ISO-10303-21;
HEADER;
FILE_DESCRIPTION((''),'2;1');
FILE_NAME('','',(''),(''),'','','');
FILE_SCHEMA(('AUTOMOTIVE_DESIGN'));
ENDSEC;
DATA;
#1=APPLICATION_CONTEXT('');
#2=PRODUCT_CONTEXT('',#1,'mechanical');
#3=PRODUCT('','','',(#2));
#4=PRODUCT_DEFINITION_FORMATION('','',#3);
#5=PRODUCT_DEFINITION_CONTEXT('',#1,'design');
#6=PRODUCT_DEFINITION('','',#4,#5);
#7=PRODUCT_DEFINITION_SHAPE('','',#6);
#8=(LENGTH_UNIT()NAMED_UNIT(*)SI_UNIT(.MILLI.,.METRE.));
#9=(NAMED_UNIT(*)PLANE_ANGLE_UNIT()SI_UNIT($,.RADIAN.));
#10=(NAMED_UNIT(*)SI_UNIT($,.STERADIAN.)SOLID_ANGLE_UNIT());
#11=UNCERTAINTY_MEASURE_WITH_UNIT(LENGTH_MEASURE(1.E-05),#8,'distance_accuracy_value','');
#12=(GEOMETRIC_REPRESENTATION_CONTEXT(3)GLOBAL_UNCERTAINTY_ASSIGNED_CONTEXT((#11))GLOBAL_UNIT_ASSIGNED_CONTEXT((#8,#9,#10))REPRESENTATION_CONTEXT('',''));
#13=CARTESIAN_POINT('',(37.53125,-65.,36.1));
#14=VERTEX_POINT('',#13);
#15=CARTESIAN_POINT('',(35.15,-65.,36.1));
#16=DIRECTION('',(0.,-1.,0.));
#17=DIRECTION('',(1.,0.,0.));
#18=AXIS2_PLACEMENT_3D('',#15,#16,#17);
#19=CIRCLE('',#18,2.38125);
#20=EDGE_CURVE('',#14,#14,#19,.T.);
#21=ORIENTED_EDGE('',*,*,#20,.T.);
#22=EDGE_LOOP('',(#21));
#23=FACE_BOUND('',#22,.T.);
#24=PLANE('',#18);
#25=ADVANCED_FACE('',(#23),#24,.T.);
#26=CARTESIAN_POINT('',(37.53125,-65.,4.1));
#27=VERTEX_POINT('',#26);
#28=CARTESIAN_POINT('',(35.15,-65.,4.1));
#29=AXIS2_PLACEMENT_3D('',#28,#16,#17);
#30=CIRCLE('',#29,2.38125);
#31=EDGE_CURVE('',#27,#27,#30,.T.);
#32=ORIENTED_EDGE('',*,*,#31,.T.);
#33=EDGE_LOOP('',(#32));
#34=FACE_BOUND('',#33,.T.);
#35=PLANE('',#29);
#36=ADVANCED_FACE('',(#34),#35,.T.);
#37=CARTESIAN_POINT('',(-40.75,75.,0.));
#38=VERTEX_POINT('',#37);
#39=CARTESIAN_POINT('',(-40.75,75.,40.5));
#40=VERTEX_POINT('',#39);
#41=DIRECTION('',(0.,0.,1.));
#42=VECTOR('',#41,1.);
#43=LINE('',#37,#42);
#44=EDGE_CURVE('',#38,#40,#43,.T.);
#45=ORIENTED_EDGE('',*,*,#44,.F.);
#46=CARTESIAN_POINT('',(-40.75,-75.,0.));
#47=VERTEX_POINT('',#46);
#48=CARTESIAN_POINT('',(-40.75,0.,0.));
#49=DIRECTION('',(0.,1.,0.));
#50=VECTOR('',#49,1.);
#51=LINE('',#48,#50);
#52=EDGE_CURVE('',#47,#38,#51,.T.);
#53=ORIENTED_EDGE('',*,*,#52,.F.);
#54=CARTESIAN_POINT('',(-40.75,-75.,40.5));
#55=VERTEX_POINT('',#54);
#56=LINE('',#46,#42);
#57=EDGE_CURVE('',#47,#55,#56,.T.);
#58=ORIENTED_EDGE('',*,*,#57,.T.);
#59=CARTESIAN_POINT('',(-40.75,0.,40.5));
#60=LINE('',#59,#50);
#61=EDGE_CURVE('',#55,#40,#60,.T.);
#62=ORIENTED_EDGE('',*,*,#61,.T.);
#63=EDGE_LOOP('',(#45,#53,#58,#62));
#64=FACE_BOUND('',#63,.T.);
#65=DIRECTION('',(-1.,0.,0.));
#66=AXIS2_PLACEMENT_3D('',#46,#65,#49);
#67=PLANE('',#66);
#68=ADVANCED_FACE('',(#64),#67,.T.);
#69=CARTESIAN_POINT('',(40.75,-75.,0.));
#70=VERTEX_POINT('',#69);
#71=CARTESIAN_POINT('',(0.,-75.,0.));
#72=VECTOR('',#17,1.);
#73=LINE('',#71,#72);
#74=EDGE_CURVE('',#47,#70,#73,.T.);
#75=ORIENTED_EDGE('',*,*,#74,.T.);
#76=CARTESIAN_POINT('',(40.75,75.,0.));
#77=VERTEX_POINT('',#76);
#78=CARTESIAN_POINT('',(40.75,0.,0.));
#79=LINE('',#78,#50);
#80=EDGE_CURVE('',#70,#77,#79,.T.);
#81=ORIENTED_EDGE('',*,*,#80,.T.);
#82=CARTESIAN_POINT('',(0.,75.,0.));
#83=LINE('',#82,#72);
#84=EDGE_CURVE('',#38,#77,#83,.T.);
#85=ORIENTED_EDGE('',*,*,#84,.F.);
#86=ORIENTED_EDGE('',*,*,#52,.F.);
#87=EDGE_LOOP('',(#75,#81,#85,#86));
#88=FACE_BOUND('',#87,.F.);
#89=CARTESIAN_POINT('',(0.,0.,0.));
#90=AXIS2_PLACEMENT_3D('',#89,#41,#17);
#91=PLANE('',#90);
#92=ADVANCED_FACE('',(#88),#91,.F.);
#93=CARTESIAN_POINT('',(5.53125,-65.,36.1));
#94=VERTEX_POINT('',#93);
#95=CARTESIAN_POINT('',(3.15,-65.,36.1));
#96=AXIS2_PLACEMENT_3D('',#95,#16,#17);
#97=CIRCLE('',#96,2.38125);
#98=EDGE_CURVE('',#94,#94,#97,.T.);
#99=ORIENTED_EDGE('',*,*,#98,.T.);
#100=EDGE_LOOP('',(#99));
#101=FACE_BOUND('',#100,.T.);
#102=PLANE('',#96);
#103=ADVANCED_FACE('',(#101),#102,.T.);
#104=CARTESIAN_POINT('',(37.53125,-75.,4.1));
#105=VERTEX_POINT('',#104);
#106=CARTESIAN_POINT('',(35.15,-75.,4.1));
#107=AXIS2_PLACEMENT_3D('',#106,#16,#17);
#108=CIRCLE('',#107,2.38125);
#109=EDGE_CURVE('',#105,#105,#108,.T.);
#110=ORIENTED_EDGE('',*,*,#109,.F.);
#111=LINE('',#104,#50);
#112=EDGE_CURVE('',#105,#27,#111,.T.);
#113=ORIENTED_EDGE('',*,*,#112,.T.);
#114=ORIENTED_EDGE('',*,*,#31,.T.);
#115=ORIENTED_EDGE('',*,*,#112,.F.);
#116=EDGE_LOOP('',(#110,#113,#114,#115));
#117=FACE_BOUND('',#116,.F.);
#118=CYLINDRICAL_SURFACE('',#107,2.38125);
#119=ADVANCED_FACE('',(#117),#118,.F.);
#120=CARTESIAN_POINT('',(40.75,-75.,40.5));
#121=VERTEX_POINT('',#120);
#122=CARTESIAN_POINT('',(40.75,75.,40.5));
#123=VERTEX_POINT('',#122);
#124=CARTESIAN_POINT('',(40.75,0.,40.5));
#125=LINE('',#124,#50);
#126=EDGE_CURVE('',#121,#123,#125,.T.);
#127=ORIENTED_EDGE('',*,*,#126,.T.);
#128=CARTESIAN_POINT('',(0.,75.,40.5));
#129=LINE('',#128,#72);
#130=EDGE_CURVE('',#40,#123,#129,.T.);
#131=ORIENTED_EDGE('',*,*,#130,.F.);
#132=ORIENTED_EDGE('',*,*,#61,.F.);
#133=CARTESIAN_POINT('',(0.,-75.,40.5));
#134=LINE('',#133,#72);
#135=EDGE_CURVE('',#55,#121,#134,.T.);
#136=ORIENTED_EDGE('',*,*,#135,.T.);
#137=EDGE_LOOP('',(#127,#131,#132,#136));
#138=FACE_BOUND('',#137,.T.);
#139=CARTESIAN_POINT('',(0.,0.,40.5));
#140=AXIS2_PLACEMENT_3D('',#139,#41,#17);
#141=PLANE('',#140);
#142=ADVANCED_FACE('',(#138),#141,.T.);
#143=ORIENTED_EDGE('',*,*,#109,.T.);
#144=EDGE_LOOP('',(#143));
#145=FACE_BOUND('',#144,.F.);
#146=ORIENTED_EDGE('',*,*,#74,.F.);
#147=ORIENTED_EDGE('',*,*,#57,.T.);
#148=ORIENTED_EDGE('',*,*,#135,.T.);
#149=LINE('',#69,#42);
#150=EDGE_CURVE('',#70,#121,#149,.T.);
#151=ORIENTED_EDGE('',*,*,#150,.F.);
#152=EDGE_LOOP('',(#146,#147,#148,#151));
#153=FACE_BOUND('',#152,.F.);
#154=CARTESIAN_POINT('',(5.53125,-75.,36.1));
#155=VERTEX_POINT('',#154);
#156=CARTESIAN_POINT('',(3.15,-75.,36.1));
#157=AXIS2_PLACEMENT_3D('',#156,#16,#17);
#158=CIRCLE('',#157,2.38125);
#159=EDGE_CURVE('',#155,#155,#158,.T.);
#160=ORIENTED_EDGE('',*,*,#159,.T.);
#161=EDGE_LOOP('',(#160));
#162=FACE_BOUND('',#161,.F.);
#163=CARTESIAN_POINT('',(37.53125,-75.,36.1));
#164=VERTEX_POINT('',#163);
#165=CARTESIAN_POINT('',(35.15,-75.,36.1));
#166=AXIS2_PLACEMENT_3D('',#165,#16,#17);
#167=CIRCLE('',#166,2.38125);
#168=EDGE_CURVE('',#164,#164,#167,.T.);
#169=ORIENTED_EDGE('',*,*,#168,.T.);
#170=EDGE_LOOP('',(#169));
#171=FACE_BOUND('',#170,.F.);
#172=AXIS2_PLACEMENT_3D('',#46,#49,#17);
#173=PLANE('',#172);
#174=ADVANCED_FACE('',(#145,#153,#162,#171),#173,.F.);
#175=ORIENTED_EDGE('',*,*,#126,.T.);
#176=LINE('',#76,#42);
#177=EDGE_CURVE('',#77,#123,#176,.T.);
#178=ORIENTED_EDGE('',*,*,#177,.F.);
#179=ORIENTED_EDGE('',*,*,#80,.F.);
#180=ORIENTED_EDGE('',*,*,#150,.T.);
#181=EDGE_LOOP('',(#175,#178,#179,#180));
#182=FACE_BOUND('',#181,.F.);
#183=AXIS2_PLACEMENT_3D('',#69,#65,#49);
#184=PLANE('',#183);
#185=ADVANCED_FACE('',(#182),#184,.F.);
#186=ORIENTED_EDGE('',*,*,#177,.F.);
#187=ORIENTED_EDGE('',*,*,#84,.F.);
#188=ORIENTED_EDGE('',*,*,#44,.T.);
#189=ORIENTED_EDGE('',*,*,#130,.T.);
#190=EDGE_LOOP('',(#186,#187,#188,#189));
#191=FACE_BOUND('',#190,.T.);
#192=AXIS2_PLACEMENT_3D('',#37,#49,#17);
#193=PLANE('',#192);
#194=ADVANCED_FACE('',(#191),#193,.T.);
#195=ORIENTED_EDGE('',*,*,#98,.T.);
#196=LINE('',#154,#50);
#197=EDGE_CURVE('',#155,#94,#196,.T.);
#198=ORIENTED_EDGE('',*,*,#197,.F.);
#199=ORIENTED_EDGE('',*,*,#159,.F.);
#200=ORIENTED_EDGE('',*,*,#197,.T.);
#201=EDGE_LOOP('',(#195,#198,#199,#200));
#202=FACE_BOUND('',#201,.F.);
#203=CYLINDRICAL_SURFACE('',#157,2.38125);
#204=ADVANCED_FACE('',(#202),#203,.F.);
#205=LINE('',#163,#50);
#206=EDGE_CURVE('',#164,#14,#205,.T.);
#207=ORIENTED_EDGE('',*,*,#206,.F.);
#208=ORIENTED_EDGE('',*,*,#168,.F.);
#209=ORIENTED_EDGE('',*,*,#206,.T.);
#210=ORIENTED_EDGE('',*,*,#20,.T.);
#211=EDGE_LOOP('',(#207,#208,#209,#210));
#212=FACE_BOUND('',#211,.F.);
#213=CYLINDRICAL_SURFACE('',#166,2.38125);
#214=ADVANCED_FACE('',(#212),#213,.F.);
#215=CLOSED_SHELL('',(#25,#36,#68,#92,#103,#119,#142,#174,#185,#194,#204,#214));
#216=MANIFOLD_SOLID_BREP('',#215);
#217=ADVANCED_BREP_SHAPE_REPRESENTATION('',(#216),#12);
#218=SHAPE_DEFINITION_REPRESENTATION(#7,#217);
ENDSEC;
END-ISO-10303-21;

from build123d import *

# Parameters (mm, degrees)
F0_W     = 81.5
F0_H     = 150
F1_DEPTH = 40.5
F2_R     = 2.38125
F3_DEPTH = 10


with BuildPart() as f1:
    # F0 (on Top) → F1 (new body)
    with BuildSketch(Plane.XY):
        Rectangle(F0_W, F0_H)
    extrude(amount=F1_DEPTH)

    # F2 (on face) → F3 (cut)
    with BuildSketch(Plane.XZ.offset(75)):
        with Locations((35.15, 36.1)):
            Circle(F2_R)
        with Locations((35.15, 4.1)):
            Circle(F2_R)
        with Locations((3.15, 36.1)):
            Circle(F2_R)
    extrude(amount=-F3_DEPTH, mode=Mode.SUBTRACT)


solid = f1.part
